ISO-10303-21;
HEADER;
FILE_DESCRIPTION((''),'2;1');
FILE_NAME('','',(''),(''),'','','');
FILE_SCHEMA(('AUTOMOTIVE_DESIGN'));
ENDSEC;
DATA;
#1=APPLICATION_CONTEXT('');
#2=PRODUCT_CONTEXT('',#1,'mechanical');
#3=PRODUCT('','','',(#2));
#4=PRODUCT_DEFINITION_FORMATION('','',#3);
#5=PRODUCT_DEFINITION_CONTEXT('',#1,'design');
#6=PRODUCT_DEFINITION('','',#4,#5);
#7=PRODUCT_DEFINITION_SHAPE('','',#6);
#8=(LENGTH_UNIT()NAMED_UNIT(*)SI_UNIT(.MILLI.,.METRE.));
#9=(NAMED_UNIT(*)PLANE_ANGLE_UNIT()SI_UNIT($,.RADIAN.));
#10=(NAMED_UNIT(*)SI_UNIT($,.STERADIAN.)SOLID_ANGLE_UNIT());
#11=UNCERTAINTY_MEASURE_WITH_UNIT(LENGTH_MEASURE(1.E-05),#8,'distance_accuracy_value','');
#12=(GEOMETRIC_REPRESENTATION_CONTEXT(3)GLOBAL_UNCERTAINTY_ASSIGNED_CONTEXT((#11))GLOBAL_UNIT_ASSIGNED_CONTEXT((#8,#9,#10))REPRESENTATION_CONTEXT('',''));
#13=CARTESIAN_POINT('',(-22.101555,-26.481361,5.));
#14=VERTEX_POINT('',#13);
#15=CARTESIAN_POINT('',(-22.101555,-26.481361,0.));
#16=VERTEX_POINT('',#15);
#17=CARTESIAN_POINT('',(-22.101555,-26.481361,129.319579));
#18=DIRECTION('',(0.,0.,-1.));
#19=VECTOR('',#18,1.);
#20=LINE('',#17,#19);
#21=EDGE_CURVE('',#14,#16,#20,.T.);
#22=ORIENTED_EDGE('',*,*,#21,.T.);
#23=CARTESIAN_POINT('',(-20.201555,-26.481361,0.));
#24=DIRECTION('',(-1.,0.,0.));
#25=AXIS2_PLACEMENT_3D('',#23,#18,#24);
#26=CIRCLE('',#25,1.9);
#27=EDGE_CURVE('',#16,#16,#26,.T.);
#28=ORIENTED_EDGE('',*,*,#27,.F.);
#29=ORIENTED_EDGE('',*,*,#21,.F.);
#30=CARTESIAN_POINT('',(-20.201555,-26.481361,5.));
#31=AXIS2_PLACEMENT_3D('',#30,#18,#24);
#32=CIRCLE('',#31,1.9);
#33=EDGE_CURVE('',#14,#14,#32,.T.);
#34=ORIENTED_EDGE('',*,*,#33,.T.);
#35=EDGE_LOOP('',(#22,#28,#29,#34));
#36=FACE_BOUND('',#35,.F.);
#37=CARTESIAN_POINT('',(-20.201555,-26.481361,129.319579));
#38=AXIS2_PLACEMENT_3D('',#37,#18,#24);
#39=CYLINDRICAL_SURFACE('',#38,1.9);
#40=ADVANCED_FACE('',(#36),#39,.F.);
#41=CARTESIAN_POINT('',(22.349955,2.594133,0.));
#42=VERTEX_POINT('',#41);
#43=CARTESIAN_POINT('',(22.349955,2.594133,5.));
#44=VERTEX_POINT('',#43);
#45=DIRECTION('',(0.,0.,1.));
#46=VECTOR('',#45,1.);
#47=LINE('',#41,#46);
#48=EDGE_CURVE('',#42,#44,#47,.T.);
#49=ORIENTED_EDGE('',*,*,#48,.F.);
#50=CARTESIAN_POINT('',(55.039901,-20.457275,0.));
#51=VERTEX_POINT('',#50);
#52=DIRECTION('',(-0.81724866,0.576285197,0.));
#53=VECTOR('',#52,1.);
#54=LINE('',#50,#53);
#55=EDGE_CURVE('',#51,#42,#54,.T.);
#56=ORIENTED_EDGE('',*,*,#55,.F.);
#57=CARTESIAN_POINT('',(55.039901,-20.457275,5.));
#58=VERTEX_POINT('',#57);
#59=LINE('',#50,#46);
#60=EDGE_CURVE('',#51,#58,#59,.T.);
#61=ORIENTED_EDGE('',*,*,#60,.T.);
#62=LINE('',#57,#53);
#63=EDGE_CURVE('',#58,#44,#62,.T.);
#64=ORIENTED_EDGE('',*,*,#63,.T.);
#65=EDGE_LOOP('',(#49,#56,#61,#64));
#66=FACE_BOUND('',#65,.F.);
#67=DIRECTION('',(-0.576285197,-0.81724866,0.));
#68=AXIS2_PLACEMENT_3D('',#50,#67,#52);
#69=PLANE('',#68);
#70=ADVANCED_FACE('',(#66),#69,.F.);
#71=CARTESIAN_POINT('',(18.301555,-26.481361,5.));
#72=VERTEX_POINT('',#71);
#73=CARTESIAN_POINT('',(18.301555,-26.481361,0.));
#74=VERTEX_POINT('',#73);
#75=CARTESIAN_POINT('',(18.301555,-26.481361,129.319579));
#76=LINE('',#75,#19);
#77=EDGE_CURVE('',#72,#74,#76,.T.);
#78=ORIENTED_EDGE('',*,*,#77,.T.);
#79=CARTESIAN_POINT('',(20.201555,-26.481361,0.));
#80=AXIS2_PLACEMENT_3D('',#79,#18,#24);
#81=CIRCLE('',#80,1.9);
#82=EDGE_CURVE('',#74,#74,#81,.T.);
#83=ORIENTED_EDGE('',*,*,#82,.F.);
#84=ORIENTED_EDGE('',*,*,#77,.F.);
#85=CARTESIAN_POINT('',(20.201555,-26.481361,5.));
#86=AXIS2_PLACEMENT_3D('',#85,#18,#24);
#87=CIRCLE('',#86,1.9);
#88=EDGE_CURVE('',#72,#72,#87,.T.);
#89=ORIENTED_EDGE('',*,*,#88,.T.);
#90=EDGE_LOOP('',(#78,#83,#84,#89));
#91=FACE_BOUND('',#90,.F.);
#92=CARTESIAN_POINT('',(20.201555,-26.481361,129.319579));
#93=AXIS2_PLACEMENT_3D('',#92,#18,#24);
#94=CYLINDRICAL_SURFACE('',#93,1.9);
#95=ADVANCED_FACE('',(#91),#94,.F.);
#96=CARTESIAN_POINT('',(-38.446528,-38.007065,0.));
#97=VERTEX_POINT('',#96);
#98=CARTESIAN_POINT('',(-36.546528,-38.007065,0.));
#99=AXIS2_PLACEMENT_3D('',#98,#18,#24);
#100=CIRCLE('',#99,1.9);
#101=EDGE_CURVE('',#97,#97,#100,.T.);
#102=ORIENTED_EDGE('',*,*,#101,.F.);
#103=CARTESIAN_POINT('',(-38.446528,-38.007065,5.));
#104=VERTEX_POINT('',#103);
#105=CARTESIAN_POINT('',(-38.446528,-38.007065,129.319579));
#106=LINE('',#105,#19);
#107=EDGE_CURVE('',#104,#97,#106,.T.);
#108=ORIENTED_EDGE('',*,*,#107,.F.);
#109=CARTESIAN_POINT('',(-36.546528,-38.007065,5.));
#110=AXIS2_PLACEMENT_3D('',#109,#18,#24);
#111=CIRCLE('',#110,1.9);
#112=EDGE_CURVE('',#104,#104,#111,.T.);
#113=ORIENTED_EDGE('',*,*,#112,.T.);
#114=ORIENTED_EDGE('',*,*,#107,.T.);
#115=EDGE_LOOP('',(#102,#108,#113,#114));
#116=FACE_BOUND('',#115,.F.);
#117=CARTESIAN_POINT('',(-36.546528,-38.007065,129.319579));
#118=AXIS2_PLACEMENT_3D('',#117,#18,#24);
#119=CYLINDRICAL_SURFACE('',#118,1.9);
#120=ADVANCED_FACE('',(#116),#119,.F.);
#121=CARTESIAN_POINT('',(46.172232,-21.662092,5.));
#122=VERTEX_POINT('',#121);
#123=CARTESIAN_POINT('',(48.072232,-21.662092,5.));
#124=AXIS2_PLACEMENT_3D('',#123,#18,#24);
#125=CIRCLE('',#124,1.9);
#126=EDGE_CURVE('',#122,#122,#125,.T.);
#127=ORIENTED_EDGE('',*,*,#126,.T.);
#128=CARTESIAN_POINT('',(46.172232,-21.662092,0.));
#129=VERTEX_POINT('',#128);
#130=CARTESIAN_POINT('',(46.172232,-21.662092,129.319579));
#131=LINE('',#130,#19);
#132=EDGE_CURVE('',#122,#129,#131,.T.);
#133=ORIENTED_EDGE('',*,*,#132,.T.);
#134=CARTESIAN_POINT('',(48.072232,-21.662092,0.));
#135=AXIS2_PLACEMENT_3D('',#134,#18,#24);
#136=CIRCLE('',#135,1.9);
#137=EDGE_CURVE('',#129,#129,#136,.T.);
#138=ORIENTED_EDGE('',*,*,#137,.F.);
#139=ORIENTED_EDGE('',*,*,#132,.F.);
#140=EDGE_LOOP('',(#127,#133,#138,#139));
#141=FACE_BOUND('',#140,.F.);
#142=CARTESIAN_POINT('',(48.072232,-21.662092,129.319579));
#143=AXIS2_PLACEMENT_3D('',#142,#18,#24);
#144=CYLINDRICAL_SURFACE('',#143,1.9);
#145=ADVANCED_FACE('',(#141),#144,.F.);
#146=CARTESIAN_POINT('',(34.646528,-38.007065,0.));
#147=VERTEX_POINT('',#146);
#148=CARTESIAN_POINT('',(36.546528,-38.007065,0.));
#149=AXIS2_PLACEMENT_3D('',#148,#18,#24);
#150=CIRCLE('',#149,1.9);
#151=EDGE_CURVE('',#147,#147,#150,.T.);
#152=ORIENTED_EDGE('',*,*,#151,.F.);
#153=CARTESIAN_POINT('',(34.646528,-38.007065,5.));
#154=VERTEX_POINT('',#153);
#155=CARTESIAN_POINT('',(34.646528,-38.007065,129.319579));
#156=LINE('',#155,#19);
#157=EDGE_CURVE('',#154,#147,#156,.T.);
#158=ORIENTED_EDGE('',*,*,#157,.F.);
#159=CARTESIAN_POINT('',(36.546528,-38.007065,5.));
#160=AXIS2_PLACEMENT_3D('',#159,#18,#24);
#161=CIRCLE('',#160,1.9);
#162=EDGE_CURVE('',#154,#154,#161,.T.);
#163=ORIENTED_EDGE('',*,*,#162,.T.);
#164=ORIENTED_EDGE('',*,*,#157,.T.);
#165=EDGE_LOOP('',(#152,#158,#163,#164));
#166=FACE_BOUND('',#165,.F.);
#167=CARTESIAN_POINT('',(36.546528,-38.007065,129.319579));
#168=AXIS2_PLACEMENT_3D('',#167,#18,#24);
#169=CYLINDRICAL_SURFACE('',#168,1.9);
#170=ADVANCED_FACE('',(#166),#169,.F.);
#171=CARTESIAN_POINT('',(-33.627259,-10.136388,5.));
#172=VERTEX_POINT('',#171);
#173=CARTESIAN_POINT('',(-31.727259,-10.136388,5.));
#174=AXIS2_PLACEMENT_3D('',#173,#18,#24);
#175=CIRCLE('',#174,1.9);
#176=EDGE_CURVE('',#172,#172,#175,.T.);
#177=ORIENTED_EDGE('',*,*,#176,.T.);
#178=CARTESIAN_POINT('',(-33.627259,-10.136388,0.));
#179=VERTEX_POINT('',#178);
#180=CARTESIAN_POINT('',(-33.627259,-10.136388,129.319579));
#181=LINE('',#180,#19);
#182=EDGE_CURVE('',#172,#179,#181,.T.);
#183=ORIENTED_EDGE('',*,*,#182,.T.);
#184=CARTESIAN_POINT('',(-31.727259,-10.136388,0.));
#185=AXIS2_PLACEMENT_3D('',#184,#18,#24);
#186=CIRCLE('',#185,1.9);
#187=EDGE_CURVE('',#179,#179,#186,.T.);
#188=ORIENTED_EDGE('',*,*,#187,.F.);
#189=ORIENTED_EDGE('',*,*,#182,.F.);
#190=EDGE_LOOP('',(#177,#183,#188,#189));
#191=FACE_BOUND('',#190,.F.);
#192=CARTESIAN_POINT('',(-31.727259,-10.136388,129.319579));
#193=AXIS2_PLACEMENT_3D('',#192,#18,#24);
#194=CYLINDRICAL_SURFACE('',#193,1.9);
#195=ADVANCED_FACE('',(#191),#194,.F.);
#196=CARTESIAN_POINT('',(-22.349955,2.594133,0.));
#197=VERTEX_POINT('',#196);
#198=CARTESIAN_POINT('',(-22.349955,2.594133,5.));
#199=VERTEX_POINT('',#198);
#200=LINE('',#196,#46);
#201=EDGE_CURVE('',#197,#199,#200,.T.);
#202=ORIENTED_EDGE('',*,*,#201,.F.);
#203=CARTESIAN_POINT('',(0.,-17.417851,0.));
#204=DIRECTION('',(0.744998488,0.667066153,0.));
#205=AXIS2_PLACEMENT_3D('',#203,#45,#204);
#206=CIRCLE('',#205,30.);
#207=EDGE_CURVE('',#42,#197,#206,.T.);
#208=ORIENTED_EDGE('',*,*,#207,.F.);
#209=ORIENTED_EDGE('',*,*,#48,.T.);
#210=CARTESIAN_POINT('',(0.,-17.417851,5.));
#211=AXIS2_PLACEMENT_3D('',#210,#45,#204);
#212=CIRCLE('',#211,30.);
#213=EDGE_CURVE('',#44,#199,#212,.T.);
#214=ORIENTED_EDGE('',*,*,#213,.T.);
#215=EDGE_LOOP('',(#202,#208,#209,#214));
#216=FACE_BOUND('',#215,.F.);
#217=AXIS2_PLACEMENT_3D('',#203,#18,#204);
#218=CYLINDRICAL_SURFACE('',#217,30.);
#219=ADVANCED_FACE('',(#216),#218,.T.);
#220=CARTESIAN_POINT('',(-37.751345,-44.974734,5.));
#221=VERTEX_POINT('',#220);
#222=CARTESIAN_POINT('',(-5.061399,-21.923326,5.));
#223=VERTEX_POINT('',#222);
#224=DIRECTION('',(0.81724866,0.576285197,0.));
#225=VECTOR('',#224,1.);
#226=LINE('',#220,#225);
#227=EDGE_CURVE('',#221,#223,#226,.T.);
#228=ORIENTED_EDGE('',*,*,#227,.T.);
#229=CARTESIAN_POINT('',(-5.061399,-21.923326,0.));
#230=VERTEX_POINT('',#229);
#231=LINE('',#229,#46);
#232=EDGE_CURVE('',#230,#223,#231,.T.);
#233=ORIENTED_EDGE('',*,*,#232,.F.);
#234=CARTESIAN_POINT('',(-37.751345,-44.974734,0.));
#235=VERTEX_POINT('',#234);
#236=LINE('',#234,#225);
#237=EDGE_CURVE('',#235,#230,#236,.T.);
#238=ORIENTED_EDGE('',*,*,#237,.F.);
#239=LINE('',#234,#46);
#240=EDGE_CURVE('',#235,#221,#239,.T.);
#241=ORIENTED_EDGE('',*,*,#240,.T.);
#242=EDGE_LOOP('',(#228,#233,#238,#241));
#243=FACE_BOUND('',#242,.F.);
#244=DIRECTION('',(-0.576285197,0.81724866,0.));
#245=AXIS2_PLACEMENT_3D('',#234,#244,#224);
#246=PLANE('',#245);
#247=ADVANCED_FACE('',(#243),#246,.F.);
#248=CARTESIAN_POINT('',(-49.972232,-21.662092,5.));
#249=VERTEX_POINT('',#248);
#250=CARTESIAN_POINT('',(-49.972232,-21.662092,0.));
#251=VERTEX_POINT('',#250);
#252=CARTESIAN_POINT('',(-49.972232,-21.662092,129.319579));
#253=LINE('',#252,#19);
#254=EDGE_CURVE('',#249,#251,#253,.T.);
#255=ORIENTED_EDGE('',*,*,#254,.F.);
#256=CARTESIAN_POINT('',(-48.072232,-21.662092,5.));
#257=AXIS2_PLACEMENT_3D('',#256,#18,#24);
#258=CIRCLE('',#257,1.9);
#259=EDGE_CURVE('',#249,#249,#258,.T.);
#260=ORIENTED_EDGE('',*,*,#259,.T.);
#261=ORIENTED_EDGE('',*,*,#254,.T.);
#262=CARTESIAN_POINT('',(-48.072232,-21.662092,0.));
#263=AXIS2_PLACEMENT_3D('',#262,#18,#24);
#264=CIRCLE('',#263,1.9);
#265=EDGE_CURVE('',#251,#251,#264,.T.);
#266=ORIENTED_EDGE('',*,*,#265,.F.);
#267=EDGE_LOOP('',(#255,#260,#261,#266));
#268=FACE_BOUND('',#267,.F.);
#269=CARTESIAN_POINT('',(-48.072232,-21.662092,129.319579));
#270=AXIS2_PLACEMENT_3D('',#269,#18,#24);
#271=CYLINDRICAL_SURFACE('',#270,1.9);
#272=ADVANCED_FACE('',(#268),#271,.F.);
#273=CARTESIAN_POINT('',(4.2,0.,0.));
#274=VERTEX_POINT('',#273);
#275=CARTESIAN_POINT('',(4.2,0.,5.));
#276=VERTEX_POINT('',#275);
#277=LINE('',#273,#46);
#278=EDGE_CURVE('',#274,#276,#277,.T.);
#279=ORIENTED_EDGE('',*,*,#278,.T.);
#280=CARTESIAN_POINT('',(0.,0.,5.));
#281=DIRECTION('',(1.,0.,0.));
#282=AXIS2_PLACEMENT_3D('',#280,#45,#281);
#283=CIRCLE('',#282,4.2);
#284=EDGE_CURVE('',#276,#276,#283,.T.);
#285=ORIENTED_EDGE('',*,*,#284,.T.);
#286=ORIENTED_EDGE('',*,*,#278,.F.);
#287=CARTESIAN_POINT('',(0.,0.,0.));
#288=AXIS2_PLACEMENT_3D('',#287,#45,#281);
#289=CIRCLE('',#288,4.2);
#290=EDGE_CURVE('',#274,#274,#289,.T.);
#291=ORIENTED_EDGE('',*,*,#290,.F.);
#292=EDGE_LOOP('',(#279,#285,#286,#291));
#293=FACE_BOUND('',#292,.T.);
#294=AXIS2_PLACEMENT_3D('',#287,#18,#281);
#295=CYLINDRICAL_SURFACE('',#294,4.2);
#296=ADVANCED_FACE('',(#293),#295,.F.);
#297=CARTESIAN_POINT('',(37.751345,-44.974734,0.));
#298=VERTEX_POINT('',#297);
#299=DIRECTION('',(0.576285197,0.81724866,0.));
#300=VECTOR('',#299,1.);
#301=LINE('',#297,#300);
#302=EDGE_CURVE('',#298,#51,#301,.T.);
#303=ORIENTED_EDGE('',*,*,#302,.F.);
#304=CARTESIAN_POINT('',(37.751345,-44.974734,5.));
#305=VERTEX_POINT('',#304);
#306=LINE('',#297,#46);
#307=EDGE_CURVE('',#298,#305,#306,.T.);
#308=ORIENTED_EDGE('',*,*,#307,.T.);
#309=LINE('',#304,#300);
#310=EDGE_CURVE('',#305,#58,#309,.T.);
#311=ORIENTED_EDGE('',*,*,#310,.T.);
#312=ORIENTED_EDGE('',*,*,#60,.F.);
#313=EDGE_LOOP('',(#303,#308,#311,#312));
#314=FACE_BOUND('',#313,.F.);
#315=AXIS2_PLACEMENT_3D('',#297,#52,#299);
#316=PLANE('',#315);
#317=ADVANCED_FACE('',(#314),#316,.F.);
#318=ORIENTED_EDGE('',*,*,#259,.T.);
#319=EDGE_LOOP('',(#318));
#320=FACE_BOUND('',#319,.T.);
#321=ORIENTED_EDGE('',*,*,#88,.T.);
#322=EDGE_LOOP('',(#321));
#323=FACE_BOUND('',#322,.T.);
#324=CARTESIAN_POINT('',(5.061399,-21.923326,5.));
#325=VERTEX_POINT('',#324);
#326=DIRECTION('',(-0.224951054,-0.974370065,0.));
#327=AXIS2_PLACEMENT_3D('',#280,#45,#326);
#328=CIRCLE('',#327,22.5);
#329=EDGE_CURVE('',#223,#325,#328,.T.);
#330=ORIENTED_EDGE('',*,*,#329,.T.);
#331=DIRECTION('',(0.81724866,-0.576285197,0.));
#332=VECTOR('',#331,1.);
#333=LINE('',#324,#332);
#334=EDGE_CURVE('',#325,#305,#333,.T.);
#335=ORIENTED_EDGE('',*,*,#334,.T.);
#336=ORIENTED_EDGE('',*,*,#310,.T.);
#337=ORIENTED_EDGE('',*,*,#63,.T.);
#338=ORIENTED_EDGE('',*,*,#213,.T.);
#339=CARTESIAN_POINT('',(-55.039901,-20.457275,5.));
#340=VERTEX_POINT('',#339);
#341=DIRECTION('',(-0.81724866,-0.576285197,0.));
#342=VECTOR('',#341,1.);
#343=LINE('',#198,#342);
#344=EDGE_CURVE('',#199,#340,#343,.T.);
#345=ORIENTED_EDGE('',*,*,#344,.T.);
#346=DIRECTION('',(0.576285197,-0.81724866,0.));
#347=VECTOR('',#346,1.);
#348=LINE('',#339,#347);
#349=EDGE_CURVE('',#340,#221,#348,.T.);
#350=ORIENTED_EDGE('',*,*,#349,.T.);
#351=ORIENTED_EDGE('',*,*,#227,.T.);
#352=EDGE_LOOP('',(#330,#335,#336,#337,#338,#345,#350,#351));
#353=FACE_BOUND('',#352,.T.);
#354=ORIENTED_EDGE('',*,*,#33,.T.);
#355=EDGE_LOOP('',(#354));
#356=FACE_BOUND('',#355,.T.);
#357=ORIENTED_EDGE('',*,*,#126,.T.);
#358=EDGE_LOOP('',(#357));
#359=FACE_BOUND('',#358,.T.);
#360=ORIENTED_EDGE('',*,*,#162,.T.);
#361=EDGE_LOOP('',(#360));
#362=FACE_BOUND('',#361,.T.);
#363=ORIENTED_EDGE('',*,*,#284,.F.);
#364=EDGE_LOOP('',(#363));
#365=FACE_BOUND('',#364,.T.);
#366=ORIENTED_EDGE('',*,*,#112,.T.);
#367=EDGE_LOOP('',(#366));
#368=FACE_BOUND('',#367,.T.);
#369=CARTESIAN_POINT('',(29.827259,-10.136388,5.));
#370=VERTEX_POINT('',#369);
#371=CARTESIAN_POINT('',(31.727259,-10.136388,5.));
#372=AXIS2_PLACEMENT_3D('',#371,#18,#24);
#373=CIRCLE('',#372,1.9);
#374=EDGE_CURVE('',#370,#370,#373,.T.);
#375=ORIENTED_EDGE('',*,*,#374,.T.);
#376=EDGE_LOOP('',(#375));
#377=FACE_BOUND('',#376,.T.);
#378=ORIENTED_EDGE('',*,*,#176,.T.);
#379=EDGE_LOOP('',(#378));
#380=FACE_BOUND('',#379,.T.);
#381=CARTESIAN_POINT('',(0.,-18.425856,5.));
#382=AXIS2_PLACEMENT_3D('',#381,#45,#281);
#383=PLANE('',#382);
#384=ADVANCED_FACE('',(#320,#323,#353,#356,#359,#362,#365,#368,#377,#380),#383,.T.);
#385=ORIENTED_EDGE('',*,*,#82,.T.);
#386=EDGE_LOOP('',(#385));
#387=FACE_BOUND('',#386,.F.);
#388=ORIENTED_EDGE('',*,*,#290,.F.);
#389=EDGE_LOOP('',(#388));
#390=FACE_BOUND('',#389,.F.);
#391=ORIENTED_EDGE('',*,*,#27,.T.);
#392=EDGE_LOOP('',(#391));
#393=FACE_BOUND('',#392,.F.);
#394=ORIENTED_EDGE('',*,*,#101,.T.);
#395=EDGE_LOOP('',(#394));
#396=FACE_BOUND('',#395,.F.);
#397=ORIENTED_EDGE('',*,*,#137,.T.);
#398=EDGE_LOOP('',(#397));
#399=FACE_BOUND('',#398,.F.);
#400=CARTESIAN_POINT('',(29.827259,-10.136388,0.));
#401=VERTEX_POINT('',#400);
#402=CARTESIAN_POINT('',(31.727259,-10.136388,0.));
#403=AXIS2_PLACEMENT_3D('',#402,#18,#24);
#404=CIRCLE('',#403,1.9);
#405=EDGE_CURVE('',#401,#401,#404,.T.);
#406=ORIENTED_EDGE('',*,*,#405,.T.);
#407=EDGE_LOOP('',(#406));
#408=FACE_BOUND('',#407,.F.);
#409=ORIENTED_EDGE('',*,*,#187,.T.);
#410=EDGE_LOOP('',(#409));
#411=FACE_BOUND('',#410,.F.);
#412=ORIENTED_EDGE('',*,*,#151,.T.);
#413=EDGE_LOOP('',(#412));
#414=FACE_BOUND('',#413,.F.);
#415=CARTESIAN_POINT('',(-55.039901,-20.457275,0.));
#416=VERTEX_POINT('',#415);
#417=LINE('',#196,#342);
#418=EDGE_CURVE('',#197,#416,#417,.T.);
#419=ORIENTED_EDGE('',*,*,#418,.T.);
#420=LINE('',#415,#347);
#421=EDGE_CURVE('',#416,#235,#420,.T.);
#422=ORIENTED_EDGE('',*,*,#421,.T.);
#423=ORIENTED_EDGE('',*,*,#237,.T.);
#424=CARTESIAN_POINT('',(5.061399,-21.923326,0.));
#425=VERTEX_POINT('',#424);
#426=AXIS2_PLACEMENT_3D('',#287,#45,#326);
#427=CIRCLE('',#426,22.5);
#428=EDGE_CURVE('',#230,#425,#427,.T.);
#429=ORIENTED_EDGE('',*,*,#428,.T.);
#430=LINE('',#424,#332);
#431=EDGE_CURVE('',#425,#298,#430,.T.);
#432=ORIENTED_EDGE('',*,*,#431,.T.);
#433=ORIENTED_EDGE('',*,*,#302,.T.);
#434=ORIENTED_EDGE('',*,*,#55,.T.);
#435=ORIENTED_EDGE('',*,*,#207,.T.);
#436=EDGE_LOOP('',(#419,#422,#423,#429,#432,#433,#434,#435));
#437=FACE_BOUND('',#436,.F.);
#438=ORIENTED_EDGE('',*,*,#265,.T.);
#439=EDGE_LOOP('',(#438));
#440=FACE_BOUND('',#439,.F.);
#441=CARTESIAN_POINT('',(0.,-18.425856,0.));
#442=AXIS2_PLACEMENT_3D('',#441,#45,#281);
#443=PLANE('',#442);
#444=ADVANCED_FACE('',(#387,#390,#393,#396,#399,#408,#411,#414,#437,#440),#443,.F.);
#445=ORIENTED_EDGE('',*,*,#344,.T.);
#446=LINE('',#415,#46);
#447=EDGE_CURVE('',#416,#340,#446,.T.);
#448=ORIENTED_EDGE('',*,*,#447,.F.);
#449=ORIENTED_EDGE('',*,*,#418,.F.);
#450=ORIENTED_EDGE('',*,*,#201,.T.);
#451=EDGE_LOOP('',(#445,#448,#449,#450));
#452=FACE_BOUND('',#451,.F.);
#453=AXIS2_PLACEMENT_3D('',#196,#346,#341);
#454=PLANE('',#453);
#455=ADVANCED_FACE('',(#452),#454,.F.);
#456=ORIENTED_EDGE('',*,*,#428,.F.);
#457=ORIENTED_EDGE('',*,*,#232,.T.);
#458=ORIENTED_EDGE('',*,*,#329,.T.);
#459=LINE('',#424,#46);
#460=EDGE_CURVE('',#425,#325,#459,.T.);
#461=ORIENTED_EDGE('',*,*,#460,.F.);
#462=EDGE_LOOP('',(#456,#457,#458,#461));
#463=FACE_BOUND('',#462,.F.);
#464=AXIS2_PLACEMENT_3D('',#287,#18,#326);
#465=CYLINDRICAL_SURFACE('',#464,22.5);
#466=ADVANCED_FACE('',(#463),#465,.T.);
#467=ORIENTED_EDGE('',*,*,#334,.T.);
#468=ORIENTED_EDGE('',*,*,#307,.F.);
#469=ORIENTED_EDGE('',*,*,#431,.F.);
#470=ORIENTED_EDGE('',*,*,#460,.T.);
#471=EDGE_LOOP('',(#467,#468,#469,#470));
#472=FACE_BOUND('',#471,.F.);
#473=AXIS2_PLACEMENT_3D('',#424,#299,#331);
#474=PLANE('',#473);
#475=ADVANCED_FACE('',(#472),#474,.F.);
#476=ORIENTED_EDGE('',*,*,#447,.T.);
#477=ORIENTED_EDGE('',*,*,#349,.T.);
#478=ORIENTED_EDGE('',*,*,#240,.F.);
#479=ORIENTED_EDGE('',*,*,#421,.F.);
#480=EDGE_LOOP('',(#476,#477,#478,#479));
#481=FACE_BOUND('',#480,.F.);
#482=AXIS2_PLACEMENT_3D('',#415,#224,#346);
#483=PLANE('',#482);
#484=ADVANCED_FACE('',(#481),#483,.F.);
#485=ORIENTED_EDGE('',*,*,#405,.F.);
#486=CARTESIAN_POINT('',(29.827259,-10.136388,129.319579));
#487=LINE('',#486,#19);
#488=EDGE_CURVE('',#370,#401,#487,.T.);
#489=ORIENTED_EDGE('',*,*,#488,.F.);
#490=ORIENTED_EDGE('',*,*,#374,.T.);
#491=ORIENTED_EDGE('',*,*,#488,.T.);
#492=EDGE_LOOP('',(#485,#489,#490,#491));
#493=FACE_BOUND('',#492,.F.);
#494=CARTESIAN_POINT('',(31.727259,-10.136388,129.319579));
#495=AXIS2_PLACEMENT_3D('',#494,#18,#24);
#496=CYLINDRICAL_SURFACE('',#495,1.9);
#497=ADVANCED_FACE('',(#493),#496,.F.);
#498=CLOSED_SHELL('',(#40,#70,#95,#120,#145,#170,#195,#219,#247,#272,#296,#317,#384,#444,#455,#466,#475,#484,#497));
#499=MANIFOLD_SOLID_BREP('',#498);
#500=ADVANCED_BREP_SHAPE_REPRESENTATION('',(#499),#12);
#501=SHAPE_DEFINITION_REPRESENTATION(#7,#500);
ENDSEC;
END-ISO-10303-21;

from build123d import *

# Parameters (mm, degrees)
SKETCH2_R            = 4.2
BOSS_EXTRUDE1_DEPTH  = 5
M3_CLEARANCE_HOLE1_D = 3.8


with BuildPart() as part:
    # Sketch2 → Boss-Extrude1 (new body)
    with BuildSketch(Plane.XY):
        with BuildLine():
            Line((5.061398723, -21.923326458), (37.751345105, -44.974734343))
            Line((37.751345105, -44.974734343), (55.039901019, -20.457274556))
            Line((55.039901019, -20.457274556), (22.349954637, 2.594133329))
            ThreePointArc((22.349954637, 2.594133329), (0, 12.582148727), (-22.349954637, 2.594133329))
            Line((-22.349954637, 2.594133329), (-55.039901019, -20.457274556))
            Line((-55.039901019, -20.457274556), (-37.751345105, -44.974734343))
            Line((-37.751345105, -44.974734343), (-5.061398723, -21.923326458))
            ThreePointArc((-5.061398723, -21.923326458), (0, -22.5), (5.061398723, -21.923326458))
        make_face()
        Circle(SKETCH2_R, mode=Mode.SUBTRACT)
    extrude(amount=BOSS_EXTRUDE1_DEPTH)

    # M3 Clearance Hole1 (through all)
    with Locations(Plane.XY.offset(5)):
        with Locations((-31.727258545, -10.136387926), (-20.201554602, -26.481361117), (-36.546527793, -38.00706506), (-48.072231736, -21.662091868), (31.727258545, -10.136387926), (48.072231736, -21.662091868), (20.201554544, -26.481361199), (36.546527736, -38.007065141)):
            Hole(M3_CLEARANCE_HOLE1_D / 2)


solid = part.part
